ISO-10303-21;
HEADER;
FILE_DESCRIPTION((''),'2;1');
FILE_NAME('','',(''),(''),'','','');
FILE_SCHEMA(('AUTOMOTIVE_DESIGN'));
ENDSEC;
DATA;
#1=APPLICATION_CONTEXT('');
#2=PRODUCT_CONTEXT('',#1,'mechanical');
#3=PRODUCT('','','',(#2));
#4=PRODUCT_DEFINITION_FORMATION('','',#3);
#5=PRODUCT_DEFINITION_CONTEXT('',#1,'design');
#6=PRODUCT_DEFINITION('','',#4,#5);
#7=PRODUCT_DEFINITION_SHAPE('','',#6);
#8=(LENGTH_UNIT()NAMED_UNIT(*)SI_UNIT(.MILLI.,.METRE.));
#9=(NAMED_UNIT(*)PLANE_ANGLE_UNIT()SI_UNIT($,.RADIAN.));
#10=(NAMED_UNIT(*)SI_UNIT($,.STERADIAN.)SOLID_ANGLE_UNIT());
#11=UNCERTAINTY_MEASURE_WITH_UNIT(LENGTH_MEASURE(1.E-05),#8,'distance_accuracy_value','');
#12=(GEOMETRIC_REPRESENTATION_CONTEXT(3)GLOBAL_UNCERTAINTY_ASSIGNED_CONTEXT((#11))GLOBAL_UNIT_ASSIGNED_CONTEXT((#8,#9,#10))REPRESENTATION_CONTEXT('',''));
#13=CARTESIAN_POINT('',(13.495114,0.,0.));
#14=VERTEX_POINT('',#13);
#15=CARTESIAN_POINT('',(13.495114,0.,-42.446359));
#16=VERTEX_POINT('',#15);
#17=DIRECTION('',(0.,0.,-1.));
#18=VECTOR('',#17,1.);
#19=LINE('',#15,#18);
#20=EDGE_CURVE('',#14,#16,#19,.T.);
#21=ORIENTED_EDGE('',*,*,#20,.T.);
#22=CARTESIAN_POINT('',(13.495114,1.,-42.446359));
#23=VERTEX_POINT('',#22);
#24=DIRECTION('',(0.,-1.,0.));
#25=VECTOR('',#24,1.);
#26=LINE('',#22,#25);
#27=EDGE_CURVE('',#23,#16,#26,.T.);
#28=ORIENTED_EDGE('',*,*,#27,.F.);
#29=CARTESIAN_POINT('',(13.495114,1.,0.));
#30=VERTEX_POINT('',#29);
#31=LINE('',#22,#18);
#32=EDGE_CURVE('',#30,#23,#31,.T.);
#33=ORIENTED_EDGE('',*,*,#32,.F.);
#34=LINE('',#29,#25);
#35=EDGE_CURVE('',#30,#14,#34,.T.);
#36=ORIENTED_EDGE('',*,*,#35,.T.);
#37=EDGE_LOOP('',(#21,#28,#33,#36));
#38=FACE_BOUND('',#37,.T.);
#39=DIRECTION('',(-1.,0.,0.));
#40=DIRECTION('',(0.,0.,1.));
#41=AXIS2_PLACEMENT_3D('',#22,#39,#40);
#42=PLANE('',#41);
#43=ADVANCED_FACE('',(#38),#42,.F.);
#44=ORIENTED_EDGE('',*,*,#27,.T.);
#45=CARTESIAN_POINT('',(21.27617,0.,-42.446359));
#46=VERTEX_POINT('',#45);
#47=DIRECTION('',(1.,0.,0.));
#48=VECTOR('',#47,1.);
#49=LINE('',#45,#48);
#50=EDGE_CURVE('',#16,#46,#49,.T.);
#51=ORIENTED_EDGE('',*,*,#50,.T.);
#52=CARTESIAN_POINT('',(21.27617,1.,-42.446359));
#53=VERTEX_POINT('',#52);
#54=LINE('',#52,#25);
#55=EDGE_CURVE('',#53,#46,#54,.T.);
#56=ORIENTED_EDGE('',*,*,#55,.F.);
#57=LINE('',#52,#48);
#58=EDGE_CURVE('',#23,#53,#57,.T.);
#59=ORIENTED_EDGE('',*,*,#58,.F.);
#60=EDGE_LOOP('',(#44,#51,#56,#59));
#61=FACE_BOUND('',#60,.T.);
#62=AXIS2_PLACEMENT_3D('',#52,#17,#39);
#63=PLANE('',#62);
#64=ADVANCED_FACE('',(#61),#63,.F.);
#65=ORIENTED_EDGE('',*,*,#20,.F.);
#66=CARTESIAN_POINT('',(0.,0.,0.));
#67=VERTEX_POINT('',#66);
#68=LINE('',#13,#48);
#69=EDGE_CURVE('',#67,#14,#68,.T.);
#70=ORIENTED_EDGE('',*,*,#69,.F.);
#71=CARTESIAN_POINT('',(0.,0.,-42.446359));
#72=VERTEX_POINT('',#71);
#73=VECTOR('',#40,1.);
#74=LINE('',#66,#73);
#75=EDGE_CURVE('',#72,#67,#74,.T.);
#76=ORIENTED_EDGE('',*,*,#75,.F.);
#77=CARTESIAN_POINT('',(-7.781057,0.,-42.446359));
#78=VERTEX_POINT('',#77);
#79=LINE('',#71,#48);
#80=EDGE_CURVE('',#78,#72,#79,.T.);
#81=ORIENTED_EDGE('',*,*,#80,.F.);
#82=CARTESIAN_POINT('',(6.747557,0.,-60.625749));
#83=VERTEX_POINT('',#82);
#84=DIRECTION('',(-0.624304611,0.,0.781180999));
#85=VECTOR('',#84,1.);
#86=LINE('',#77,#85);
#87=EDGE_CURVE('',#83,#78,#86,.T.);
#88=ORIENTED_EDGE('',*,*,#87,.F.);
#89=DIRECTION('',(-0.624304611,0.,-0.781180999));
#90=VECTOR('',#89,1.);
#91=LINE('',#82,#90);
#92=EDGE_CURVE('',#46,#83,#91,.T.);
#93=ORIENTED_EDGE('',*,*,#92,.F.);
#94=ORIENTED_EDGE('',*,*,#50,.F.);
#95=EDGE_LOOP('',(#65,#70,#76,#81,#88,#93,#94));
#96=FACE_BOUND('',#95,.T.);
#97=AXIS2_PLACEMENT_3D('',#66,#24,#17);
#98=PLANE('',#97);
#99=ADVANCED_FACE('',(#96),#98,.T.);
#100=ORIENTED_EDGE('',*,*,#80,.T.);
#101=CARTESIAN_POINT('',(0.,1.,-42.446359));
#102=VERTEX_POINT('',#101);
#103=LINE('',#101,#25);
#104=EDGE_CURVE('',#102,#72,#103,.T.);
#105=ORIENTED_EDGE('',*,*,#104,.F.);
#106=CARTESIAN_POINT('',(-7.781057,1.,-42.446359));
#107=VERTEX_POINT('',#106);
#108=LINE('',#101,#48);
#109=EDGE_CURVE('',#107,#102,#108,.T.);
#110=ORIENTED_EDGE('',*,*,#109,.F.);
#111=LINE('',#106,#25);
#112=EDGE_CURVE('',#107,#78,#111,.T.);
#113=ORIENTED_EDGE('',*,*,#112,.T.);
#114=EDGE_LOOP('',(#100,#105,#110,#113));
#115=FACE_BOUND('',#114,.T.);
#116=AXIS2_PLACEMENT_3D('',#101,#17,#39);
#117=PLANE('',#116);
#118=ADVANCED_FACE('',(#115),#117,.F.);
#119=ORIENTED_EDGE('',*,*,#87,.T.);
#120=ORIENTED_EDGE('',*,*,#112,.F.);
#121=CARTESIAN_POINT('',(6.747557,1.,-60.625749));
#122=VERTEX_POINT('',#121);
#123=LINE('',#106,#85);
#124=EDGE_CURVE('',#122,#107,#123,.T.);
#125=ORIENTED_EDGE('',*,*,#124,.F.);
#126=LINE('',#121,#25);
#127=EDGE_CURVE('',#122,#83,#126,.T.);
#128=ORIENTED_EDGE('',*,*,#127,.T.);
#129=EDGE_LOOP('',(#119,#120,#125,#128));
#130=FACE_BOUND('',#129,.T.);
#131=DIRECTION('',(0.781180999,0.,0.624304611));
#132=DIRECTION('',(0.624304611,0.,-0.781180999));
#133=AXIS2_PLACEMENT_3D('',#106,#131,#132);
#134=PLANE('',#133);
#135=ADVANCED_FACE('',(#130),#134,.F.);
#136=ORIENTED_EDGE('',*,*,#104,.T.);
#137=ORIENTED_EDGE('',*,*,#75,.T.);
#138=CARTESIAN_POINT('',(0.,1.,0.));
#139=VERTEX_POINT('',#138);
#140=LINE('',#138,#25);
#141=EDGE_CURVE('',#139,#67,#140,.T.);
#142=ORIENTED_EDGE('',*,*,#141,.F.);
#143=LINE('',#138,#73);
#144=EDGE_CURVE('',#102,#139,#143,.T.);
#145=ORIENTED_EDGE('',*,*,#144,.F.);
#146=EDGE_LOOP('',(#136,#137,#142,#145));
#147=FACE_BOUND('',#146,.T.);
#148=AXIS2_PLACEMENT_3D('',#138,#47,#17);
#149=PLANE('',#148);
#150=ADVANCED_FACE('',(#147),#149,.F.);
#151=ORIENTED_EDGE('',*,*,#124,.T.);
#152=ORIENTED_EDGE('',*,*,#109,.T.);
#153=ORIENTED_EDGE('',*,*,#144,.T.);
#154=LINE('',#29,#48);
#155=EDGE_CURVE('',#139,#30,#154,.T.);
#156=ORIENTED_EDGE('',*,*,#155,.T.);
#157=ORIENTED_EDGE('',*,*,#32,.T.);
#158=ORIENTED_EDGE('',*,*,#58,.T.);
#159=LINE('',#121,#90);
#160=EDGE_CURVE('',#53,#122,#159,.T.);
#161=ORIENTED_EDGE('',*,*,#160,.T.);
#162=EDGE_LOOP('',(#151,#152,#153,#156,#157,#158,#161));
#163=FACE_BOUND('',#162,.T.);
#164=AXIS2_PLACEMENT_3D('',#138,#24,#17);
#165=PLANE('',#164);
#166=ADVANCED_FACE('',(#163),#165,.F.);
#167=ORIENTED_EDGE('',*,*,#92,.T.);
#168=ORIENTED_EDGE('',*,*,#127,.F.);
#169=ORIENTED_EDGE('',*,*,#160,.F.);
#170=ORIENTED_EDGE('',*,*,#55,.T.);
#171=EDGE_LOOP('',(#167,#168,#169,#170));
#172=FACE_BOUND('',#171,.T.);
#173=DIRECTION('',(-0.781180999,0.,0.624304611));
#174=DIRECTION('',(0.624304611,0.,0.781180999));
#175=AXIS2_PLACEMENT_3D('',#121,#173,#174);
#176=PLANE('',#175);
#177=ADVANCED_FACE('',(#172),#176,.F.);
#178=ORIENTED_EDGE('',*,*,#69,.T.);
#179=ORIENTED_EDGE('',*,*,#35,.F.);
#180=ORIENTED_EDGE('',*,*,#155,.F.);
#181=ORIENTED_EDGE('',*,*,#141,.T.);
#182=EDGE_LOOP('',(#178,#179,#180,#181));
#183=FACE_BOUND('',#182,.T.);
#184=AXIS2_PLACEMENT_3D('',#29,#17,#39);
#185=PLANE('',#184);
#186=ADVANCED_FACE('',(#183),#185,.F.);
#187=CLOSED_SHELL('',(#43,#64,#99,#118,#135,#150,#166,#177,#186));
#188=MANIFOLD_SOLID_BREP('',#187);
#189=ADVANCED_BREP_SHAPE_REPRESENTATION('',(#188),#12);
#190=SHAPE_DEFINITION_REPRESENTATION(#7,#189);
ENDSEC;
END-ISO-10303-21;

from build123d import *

# Parameters (mm, degrees)
BOSS_EXTRUDE1_DEPTH = 1


with BuildPart() as part:
    # Sketch1 → Boss-Extrude1 (new body)
    with BuildSketch(Plane(origin=(0, 0, 0), x_dir=(1, 0, 0), z_dir=(0, 1, 0))):
        Polygon((0, 0), (0, 42.446359223), (-7.781056627, 42.446359223), (6.747556904, 60.625748935), (21.276170435, 42.446359223), (13.495113808, 42.446359223), (13.495113808, 0), align=None)
    extrude(amount=BOSS_EXTRUDE1_DEPTH)


solid = part.part
